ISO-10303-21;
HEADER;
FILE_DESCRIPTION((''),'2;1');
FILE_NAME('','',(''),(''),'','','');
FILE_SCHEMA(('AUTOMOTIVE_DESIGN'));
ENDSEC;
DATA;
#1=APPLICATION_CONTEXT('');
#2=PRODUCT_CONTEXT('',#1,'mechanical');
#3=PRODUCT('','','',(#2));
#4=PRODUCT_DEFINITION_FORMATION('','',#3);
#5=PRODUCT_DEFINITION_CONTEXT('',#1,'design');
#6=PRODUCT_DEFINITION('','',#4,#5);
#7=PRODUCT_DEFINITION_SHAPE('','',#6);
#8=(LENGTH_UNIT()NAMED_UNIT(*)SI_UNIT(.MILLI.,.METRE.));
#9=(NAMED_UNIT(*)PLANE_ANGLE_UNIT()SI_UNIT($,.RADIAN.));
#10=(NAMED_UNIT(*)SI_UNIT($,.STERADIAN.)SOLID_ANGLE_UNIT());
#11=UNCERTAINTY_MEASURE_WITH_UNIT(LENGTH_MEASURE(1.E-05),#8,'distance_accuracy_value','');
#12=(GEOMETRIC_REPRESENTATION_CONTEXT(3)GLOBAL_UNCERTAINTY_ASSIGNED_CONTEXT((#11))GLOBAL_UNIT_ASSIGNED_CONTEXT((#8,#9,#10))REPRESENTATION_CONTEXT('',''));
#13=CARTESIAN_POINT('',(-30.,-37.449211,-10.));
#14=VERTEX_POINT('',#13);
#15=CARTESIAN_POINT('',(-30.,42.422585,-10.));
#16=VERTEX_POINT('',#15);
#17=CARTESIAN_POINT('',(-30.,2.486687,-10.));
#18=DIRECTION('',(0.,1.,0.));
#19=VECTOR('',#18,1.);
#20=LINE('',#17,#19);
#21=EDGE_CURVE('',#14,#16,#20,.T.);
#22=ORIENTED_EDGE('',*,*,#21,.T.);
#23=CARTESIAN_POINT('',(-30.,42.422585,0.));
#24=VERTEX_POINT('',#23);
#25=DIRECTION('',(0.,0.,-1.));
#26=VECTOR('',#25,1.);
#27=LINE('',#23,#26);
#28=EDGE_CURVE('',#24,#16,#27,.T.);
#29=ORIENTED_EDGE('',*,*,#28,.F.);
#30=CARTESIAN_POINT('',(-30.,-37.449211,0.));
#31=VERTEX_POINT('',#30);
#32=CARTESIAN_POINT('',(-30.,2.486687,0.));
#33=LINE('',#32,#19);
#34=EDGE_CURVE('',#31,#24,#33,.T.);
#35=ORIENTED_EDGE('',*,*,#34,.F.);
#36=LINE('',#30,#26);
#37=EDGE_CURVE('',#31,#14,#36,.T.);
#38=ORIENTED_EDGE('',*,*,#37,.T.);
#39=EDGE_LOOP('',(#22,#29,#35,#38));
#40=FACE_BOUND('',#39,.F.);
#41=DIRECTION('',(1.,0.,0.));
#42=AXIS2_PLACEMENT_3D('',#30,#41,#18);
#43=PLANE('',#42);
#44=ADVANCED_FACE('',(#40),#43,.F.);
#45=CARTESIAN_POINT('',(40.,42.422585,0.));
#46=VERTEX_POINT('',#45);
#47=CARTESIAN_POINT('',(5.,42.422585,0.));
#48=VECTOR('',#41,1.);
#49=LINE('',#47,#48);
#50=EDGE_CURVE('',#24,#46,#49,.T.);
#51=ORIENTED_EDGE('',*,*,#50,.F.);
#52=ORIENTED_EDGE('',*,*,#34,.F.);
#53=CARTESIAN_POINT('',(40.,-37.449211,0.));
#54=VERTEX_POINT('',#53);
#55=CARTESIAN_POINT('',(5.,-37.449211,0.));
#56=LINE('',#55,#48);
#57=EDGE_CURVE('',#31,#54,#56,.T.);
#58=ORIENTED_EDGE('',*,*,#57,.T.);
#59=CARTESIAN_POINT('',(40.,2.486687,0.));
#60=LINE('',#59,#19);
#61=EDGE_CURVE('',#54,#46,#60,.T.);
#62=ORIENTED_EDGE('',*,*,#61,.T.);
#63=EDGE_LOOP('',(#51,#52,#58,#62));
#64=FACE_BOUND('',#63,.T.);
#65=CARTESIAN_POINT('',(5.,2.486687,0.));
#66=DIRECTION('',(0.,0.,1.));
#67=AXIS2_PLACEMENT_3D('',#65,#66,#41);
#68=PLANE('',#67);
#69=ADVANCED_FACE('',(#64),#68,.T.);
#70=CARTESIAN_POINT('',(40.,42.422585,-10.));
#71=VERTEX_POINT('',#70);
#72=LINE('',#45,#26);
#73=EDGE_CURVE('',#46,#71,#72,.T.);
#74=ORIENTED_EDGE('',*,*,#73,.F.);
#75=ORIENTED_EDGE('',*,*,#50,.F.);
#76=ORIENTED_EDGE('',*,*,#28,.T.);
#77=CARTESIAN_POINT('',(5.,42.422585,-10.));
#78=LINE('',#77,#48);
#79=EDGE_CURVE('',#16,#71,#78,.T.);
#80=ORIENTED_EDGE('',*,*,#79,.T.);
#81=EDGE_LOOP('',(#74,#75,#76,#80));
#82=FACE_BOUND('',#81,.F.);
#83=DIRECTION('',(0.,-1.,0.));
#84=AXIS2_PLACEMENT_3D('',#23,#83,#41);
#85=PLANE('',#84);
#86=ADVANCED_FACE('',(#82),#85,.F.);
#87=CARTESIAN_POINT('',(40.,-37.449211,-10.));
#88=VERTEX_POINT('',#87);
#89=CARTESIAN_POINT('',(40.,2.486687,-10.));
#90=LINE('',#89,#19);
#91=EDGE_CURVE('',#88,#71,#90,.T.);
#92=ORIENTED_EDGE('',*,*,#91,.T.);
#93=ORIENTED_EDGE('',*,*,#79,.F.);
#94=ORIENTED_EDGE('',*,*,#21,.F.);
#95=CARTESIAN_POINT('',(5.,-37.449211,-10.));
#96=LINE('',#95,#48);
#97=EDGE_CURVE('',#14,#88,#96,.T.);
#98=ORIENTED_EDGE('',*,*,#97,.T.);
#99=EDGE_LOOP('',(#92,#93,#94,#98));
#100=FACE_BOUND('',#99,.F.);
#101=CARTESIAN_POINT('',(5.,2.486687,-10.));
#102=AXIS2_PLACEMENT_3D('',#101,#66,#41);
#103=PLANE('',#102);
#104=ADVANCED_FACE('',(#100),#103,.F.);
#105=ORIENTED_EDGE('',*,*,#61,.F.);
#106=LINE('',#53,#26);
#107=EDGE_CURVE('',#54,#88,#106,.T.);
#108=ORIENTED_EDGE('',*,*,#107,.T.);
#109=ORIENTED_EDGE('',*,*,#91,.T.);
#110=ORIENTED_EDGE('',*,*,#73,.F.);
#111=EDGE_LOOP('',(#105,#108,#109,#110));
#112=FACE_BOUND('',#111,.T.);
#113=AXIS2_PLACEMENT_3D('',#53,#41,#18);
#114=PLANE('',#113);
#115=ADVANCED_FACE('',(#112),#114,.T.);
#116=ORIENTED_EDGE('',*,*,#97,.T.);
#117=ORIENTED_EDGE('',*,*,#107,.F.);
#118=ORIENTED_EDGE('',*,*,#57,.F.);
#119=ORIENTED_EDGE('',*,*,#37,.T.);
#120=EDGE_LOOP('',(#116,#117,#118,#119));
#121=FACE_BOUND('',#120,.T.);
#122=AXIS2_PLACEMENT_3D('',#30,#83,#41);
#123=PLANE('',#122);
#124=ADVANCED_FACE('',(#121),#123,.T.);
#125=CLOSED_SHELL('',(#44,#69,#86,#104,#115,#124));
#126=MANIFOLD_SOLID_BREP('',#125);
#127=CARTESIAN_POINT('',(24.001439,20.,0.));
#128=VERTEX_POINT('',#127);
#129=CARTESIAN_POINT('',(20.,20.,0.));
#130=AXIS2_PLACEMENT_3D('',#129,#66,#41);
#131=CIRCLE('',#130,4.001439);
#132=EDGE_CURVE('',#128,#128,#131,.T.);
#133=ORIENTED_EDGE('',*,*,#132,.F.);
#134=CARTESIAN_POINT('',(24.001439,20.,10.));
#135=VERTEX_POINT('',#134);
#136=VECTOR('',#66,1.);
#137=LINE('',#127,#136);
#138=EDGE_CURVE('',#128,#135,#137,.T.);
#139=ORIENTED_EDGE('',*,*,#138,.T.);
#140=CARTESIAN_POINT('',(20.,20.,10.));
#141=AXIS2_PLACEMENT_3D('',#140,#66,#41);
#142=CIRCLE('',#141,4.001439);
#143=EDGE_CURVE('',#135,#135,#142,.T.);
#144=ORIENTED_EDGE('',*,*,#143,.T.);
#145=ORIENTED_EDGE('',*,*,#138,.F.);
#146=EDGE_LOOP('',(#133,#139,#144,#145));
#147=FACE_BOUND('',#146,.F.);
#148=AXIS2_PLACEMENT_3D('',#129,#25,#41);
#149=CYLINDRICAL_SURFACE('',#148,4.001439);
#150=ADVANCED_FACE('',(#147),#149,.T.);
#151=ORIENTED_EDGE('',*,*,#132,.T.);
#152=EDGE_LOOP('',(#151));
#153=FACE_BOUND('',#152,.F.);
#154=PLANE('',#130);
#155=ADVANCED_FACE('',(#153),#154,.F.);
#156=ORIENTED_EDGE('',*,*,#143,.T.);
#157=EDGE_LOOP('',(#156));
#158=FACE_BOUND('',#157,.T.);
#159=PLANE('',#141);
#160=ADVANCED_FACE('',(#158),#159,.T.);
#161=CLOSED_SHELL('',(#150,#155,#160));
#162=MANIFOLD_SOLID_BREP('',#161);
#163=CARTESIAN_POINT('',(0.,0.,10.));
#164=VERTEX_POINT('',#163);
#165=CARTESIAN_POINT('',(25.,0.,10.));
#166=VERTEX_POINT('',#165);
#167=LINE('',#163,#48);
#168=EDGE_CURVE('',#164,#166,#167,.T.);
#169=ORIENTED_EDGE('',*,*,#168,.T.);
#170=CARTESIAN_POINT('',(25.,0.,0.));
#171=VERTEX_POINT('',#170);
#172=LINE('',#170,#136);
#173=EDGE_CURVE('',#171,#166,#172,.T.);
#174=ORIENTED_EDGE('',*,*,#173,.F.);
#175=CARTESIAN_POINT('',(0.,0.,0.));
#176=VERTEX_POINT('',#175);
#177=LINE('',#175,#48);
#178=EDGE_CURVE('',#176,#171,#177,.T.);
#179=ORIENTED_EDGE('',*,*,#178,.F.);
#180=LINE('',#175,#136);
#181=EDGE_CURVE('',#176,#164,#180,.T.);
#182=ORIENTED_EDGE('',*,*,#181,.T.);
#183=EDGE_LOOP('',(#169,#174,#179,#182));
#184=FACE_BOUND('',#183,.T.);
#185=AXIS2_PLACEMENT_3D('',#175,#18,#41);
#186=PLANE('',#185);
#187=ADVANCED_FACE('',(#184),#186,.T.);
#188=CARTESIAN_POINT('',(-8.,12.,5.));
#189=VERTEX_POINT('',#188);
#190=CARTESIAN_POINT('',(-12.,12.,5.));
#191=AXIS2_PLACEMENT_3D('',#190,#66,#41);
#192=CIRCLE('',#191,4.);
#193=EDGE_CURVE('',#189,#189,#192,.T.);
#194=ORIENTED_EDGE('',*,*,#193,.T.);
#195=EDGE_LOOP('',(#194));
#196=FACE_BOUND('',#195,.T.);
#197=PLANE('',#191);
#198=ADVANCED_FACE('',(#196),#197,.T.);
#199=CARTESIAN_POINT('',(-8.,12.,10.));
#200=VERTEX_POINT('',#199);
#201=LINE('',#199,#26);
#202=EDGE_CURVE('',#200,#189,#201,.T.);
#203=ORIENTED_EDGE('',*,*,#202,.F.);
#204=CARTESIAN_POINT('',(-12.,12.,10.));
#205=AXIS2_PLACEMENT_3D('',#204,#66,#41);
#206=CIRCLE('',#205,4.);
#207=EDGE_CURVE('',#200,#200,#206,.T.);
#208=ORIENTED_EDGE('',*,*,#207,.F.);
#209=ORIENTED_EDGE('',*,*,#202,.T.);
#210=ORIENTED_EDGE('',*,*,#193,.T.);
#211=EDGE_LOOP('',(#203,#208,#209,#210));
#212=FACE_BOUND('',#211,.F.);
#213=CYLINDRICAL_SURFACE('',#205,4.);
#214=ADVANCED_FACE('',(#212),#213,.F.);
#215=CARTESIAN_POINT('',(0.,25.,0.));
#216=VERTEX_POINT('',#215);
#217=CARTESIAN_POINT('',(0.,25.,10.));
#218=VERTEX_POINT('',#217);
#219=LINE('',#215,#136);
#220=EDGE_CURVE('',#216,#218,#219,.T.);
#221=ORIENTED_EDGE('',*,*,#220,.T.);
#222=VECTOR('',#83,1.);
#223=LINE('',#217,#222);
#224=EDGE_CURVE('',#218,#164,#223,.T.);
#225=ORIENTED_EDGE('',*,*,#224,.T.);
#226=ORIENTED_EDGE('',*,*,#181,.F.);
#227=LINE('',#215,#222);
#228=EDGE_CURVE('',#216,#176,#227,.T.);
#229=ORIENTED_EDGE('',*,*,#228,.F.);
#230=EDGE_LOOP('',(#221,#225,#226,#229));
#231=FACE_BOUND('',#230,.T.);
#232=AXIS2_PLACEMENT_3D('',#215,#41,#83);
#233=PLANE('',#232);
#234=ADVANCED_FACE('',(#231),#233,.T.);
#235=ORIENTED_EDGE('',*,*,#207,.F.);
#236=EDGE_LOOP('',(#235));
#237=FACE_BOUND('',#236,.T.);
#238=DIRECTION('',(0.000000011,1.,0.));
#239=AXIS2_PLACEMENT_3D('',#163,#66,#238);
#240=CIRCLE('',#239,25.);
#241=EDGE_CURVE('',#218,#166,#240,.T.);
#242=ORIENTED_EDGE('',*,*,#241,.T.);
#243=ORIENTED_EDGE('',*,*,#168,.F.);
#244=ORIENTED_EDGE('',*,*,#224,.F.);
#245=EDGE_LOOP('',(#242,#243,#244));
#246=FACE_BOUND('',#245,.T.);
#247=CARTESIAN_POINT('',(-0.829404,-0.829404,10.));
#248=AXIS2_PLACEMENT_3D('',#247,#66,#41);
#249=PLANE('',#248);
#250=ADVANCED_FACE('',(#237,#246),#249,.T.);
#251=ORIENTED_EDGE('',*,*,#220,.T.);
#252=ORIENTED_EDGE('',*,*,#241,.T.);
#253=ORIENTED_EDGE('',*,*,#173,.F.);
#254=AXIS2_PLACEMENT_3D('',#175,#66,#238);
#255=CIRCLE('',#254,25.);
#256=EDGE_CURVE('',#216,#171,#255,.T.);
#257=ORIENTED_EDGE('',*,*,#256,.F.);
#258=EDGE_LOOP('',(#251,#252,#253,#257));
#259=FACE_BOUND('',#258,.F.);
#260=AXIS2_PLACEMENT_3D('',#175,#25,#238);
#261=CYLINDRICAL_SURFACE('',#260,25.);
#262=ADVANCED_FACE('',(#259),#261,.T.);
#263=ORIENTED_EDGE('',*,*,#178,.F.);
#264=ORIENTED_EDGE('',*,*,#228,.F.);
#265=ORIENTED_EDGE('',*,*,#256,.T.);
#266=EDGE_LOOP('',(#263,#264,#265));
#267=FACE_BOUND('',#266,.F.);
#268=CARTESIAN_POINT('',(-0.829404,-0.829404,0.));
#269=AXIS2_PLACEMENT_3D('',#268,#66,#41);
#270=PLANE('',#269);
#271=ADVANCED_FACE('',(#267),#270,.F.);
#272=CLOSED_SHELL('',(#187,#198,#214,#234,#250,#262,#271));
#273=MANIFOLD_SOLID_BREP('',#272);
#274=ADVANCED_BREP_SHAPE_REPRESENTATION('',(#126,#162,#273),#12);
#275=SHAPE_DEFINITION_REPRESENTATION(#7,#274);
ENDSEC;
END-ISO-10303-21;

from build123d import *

# Parameters (mm, degrees)
PAD_DEPTH    = 10
SKETCH001_R  = 4
POCKET_DEPTH = 5
SKETCH002_R  = 4.001439
PAD001_DEPTH = 10
SKETCH003_W  = 70
SKETCH003_H  = 79.871796
PAD002_DEPTH = 10


with BuildPart() as pacman:
    # Sketch → Pad (new body)
    with BuildSketch(Plane.XY):
        with BuildLine():
            ThreePointArc((0, 25), (-17.67767, -17.67767), (25, 0))
            Line((0, 0), (25, 0))
            Line((0, 25), (0, 0))
        make_face()
    extrude(amount=PAD_DEPTH)

    # Sketch001 (on Face5 of Pad) → Pocket (cut)
    with BuildSketch(Plane.XY.offset(10)):
        with Locations((-12, 12)):
            Circle(SKETCH001_R)
    extrude(amount=-POCKET_DEPTH, mode=Mode.SUBTRACT)


with BuildPart() as matur:
    # Sketch002 → Pad001 (new body)
    with BuildSketch(Plane.XY):
        with Locations((20, 20)):
            Circle(SKETCH002_R)
    extrude(amount=PAD001_DEPTH)


with BuildPart() as base:
    # Sketch003 → Pad002 (new body)
    with BuildSketch(Plane.XY):
        with Locations((5, 2.486687)):
            Rectangle(SKETCH003_W, SKETCH003_H)
    extrude(amount=-PAD002_DEPTH)


solid = Compound([pacman.part, matur.part, base.part])
